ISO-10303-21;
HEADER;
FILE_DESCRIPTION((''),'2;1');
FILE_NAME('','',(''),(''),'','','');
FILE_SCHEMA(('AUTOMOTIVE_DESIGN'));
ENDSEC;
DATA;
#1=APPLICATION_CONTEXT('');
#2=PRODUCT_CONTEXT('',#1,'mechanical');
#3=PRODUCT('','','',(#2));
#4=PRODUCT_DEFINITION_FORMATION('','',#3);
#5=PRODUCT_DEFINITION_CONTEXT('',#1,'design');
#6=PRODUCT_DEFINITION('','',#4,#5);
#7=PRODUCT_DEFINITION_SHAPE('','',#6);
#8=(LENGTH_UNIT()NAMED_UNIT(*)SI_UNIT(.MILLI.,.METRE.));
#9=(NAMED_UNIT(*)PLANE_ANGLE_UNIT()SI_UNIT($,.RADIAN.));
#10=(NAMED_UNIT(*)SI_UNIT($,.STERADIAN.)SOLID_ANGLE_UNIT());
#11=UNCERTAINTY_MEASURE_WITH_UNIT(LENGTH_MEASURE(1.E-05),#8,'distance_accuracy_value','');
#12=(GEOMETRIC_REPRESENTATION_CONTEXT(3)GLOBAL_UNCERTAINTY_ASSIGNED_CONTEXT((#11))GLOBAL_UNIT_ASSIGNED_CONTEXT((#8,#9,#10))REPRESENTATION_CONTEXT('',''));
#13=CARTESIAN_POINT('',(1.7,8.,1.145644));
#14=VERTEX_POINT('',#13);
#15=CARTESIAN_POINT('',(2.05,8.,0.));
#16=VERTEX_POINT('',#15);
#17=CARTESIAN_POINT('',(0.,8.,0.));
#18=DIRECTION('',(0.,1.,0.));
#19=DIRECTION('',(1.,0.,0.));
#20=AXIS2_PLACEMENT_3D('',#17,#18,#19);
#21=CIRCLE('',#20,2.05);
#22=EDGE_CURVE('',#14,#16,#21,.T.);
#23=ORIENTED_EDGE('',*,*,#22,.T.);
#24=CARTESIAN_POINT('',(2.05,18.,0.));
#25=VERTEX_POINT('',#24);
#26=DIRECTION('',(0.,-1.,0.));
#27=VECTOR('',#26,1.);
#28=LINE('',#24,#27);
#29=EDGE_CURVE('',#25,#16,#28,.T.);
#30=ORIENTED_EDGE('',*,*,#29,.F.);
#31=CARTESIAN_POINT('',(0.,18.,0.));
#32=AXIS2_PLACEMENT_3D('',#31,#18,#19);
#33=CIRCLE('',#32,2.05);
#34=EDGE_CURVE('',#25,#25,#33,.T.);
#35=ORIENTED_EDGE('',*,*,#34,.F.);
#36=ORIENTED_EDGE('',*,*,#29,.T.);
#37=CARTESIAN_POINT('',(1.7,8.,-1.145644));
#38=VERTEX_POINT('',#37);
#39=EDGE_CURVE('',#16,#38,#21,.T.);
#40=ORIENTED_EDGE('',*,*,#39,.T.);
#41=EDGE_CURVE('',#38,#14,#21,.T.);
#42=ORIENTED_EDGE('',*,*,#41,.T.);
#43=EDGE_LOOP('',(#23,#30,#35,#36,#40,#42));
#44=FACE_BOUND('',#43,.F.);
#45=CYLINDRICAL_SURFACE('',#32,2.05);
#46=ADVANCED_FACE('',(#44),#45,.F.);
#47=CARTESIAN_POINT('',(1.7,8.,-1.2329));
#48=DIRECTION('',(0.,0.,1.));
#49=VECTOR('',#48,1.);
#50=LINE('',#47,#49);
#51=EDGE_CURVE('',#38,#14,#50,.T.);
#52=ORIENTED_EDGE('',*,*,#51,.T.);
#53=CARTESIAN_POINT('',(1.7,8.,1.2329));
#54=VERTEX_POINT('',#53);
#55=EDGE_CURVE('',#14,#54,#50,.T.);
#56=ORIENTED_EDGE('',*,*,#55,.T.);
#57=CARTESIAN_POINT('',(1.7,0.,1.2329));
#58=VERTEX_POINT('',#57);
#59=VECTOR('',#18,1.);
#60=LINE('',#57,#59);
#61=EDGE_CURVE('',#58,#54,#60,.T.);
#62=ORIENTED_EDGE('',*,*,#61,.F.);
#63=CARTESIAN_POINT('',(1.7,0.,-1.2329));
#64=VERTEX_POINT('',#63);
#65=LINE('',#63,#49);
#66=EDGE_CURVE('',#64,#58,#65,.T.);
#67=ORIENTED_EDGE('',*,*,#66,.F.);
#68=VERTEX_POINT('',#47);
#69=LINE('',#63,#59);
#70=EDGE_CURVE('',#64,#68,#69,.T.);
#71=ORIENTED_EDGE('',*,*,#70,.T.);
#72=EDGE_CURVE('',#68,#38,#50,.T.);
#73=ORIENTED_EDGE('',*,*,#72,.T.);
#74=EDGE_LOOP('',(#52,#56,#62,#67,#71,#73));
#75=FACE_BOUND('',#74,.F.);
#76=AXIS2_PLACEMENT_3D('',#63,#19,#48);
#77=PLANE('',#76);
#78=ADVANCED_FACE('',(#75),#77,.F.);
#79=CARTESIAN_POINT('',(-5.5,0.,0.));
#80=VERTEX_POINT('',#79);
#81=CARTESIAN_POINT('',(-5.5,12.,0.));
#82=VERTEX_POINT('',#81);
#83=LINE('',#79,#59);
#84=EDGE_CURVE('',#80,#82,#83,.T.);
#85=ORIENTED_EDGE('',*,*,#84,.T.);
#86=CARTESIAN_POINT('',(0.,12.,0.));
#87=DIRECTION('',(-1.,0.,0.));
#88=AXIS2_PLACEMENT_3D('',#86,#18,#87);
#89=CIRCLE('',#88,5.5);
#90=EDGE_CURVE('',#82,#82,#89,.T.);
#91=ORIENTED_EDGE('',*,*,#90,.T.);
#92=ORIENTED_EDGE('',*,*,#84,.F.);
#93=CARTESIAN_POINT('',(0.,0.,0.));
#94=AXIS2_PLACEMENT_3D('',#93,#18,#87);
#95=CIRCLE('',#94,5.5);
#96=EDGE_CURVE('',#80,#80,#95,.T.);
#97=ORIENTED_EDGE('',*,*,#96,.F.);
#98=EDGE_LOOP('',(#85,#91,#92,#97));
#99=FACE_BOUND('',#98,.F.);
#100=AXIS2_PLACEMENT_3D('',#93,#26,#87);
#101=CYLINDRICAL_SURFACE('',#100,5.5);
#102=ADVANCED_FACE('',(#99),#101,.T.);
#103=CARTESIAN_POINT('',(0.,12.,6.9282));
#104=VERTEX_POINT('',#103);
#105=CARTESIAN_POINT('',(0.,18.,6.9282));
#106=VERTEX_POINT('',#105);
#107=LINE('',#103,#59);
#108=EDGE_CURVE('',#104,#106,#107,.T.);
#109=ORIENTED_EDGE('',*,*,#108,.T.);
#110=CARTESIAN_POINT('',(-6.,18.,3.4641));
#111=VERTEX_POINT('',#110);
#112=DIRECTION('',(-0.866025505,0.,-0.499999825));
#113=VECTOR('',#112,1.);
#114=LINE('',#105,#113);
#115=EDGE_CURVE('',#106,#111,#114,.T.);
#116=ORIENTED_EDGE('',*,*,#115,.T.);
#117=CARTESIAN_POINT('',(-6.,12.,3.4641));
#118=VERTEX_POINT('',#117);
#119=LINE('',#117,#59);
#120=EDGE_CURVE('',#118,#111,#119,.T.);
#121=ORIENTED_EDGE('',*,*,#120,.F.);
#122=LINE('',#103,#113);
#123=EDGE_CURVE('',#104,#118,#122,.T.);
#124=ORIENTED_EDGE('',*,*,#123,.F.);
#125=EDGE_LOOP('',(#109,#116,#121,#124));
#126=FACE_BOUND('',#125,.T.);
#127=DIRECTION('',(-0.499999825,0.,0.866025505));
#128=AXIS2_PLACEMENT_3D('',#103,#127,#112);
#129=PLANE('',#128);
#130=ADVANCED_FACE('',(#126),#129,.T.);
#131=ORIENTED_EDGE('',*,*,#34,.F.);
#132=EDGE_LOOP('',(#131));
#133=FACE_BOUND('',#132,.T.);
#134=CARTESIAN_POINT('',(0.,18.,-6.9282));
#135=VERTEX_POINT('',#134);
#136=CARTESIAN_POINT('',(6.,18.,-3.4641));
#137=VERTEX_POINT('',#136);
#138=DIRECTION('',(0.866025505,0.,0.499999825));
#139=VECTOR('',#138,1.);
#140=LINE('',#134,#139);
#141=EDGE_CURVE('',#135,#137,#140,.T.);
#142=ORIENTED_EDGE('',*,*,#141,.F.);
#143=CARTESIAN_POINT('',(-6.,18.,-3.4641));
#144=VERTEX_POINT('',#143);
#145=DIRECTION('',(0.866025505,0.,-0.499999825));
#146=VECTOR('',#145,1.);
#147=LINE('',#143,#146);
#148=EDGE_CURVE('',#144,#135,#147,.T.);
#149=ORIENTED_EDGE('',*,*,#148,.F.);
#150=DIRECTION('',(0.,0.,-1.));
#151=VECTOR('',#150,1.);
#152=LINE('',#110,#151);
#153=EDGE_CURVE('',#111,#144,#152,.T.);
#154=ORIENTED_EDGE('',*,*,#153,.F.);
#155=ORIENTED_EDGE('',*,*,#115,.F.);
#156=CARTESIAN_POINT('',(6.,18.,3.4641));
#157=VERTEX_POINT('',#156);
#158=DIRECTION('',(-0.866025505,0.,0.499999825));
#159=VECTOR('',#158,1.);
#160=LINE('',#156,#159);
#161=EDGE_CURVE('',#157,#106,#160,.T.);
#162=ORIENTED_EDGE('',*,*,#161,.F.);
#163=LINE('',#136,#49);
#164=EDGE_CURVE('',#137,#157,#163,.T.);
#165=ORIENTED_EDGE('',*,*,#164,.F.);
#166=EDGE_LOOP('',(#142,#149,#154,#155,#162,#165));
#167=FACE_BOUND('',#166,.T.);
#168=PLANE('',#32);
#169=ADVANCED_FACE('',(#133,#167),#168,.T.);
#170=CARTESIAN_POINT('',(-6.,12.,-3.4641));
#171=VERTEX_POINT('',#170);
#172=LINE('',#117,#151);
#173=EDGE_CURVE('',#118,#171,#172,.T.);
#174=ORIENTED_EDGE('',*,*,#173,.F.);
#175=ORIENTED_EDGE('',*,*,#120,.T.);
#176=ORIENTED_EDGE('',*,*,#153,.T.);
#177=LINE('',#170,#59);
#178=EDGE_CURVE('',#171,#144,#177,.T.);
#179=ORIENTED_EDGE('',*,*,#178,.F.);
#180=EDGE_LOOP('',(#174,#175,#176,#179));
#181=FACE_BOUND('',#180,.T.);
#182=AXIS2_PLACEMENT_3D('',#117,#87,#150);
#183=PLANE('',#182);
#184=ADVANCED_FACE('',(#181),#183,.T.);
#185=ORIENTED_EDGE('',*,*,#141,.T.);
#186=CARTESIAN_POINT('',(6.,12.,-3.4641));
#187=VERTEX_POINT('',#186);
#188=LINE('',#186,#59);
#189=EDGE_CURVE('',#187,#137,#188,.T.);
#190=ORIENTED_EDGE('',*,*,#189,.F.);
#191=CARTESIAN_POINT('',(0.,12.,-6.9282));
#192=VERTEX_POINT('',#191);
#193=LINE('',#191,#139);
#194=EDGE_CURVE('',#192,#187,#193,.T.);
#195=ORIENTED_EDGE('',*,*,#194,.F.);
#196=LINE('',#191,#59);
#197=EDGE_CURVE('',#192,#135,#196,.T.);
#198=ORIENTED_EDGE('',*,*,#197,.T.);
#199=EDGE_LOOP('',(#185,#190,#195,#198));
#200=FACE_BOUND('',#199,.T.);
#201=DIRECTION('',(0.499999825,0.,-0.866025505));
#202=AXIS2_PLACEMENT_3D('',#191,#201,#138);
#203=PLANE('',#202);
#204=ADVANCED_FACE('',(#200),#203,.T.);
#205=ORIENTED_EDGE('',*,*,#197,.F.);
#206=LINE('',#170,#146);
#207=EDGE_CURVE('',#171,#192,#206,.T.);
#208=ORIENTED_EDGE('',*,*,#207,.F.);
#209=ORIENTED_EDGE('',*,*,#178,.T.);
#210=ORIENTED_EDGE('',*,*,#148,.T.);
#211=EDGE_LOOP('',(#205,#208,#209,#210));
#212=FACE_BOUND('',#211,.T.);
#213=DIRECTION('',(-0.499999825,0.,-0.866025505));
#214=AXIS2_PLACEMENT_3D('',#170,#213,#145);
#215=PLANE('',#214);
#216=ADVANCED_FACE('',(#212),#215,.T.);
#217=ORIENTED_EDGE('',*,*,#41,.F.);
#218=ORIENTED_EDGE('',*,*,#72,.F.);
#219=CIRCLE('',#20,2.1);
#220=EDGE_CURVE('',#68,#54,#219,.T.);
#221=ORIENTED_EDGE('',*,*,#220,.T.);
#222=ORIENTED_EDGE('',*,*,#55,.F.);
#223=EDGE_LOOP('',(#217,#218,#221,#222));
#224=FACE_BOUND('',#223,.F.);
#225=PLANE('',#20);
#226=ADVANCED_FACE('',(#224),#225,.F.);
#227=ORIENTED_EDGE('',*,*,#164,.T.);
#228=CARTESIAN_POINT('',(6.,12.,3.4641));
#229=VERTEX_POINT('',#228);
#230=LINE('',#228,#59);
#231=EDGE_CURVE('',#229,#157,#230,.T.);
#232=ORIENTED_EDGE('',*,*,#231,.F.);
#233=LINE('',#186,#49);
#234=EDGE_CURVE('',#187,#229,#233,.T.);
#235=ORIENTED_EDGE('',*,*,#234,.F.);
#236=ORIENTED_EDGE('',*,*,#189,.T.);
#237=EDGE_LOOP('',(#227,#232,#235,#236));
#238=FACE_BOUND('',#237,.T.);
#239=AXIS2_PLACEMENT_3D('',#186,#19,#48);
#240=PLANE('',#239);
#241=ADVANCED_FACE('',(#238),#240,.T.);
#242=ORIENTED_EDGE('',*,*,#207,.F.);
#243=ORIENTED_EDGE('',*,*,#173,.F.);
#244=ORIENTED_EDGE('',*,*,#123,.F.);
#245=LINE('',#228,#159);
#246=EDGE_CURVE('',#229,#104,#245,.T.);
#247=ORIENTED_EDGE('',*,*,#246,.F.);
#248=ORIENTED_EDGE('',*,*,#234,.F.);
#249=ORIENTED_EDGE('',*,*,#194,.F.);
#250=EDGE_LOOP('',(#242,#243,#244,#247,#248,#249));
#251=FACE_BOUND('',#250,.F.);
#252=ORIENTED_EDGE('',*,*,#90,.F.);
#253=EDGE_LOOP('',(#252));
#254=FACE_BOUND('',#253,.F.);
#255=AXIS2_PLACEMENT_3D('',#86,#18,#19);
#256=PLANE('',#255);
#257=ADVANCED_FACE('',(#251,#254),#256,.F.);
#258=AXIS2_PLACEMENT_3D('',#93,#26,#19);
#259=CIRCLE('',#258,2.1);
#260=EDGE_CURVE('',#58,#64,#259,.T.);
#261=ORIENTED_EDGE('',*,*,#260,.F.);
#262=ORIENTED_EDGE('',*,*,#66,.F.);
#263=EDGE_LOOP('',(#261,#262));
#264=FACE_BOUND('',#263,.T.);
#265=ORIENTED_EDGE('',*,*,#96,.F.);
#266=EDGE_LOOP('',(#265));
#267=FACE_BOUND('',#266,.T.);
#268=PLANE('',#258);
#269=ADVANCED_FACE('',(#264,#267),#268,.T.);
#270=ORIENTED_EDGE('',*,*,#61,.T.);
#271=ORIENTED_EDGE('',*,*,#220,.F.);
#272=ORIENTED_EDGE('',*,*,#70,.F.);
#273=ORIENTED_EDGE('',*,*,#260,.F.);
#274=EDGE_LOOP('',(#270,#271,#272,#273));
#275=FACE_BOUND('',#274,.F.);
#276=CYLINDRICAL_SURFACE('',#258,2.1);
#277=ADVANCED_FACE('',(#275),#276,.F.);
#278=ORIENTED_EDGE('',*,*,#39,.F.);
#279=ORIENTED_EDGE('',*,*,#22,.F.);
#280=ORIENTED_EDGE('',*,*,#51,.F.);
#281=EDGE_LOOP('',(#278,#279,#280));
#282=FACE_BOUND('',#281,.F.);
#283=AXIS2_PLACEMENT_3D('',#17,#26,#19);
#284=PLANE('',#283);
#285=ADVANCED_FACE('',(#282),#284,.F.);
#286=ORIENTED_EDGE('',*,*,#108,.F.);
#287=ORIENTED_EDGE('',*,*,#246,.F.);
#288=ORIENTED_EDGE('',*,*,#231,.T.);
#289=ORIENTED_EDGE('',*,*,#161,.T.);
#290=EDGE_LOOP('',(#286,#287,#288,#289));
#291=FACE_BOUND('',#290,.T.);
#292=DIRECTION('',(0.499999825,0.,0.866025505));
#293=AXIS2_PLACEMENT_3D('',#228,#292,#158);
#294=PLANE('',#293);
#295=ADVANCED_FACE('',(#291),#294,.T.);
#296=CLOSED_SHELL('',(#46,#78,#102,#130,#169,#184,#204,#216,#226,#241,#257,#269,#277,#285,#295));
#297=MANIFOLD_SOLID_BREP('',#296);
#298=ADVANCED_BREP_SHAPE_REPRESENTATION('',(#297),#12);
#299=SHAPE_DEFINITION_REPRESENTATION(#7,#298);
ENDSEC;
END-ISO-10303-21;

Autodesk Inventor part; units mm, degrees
ref_plane "YZ Plane" through (0, 0, 0) normal (1, 0, 0) x (0, 1, 0)
ref_plane "XZ Plane" through (0, 0, 0) normal (0, 1, 0) x (-1, 0, 0)
ref_plane "XY Plane" through (0, 0, 0) normal (0, 0, 1) x (1, 0, 0)
sketch "草圖1" plane through (0, 0, 0) normal (0, 1, 0) x (-1, 0, 0)
  circle A0 centre (0, 0) radius 5.5
  dimension "d0" = 11
extrude "擠出1" add sketch "草圖1" along normal blind 12
sketch "草圖2" plane through (0, 12, 0) normal (0, 1, 0) x (1, 0, 0)
  line L0 (6, -3.4641) -> (0, -6.9282)
  line L1 (0, -6.9282) -> (-6, -3.4641)
  line L2 (-6, -3.4641) -> (-6, 3.4641)
  line L3 (-6, 3.4641) -> (0, 6.9282)
  line L4 (0, 6.9282) -> (6, 3.4641)
  line L5 (6, 3.4641) -> (6, -3.4641)
  point P0 (0, 0)
  point P1 (0, 0)
  dimension "d3" = 12
extrude "擠出2" add sketch "草圖2" along normal blind 6
sketch "草圖3" plane through (0, 0, 0) normal (0, -1, 0) x (1, 0, 0)
  circle A0 centre (0, 0) radius 2.1
  dimension "d6" = 4.2
extrude "擠出3" cut sketch "草圖3" against normal up to surface (18 mm away)
sketch "草圖5" plane through (0, 0, 0) normal (1, 0, 0) x (0, 1, 0)
  circle A0 centre (4, 0) radius 1.361
  point P0 (0, 0)
  dimension "d12" = 4
extrude "擠出5" [suppressed]
sketch "草圖7" plane through (0, 0, 0) normal (0, -1, 0) x (1, 0, 0)
  circle A0 centre (0, 0) radius 2.1 projected
  line L0 (1.7, -1.2329) -> (1.7, 1.2329)
  dimension "d16" = 1.7
extrude "擠出6" add sketch "草圖7" against normal blind 8 contours A0 L0 picked at (1.773, -0.2844)
sketch "草圖8" plane through (0, 18, 0) normal (0, 1, 0) x (1, 0, 0)
  circle A0 centre (0, 0) radius 2.05
  circle A1 centre (0, 0) radius 2.1 projected
  dimension "d19" = 4.1
extrude "擠出7" add sketch "草圖8" against normal up to surface (10 mm away)
properties part number "Coupling_print"
